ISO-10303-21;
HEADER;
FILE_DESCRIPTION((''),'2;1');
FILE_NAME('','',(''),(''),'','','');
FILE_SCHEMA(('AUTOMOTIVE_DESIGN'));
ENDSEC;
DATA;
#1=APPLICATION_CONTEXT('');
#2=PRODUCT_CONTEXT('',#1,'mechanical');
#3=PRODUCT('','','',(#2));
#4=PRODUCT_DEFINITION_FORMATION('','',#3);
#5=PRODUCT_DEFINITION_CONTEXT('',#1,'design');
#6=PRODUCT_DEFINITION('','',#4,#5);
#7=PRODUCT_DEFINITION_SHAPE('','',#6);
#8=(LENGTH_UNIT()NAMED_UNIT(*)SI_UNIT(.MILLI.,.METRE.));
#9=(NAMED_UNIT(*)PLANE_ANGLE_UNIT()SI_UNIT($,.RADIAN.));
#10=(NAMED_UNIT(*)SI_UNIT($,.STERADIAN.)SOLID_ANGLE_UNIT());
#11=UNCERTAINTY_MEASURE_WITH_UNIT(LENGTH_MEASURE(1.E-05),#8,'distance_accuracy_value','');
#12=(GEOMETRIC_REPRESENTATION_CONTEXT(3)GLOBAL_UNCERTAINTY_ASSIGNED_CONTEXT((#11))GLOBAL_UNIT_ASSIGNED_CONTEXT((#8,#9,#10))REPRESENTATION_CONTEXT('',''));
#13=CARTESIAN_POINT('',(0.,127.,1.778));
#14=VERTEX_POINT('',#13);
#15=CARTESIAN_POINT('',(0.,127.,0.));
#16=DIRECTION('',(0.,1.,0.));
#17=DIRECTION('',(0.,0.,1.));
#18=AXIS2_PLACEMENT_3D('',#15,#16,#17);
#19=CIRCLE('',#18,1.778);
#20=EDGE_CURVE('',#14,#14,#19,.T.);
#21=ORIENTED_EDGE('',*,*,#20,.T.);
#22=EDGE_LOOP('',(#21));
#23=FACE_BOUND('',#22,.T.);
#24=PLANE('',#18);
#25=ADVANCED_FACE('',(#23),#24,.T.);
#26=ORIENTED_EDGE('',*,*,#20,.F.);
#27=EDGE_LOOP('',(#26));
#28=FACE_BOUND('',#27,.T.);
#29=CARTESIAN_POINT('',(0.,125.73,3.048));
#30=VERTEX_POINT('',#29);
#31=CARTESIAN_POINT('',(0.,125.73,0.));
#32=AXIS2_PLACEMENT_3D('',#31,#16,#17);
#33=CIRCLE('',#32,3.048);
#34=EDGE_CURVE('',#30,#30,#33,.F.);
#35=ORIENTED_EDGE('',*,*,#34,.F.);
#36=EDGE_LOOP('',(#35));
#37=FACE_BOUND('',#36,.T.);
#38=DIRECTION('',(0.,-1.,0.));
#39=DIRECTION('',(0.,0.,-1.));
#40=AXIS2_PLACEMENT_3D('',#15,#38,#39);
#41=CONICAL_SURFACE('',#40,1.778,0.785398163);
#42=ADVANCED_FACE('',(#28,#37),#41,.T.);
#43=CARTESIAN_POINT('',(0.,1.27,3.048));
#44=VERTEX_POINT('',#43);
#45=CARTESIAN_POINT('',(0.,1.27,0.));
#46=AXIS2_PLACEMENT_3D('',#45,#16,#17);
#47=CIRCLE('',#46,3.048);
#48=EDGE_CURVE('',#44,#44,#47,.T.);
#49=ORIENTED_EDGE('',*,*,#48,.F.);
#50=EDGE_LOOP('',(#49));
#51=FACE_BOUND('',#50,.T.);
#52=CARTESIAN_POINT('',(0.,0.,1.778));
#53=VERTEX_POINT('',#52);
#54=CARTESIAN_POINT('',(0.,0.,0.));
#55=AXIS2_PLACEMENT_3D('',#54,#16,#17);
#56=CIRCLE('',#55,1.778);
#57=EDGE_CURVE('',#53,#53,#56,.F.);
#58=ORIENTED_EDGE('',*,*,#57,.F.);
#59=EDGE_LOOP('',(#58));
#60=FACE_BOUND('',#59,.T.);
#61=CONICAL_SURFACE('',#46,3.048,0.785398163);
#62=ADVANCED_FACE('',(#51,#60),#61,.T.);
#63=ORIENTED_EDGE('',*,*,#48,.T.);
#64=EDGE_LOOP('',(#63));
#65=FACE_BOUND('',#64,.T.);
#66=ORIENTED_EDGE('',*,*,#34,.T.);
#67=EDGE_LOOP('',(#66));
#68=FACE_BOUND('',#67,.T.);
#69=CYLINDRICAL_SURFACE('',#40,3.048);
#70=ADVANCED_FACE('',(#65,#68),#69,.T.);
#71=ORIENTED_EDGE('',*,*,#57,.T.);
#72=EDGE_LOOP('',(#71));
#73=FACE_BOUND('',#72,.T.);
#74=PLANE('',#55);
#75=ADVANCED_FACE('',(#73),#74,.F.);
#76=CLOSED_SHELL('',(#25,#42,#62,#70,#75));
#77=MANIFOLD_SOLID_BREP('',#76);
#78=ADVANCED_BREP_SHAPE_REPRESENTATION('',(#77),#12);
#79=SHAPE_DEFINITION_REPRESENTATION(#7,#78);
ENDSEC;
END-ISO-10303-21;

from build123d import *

# Parameters (mm, degrees)
SKETCH1_R           = 3.048
BOSS_EXTRUDE1_DEPTH = 127
CHAMFER1_SIZE       = 1.27
CHAMFER2_SIZE       = 1.27


with BuildPart() as part:
    # Sketch1 → Boss-Extrude1 (new body)
    with BuildSketch(Plane(origin=(0, 0, 0), x_dir=(1, 0, 0), z_dir=(0, 1, 0))):
        with Locations(Location((0, 0, 0), (0, 0, 270))):
            Circle(SKETCH1_R)
    extrude(amount=BOSS_EXTRUDE1_DEPTH)

    # Chamfer1
    chamfer1_edges = [part.edges().sort_by_distance(p)[0] for p in [
        (0, 127, -3.048),
    ]]
    chamfer(chamfer1_edges, length=CHAMFER1_SIZE)

    # Chamfer2
    chamfer2_edges = [part.edges().sort_by_distance(p)[0] for p in [
        (0, 0, -3.048),
    ]]
    chamfer(chamfer2_edges, length=CHAMFER2_SIZE)


solid = part.part
